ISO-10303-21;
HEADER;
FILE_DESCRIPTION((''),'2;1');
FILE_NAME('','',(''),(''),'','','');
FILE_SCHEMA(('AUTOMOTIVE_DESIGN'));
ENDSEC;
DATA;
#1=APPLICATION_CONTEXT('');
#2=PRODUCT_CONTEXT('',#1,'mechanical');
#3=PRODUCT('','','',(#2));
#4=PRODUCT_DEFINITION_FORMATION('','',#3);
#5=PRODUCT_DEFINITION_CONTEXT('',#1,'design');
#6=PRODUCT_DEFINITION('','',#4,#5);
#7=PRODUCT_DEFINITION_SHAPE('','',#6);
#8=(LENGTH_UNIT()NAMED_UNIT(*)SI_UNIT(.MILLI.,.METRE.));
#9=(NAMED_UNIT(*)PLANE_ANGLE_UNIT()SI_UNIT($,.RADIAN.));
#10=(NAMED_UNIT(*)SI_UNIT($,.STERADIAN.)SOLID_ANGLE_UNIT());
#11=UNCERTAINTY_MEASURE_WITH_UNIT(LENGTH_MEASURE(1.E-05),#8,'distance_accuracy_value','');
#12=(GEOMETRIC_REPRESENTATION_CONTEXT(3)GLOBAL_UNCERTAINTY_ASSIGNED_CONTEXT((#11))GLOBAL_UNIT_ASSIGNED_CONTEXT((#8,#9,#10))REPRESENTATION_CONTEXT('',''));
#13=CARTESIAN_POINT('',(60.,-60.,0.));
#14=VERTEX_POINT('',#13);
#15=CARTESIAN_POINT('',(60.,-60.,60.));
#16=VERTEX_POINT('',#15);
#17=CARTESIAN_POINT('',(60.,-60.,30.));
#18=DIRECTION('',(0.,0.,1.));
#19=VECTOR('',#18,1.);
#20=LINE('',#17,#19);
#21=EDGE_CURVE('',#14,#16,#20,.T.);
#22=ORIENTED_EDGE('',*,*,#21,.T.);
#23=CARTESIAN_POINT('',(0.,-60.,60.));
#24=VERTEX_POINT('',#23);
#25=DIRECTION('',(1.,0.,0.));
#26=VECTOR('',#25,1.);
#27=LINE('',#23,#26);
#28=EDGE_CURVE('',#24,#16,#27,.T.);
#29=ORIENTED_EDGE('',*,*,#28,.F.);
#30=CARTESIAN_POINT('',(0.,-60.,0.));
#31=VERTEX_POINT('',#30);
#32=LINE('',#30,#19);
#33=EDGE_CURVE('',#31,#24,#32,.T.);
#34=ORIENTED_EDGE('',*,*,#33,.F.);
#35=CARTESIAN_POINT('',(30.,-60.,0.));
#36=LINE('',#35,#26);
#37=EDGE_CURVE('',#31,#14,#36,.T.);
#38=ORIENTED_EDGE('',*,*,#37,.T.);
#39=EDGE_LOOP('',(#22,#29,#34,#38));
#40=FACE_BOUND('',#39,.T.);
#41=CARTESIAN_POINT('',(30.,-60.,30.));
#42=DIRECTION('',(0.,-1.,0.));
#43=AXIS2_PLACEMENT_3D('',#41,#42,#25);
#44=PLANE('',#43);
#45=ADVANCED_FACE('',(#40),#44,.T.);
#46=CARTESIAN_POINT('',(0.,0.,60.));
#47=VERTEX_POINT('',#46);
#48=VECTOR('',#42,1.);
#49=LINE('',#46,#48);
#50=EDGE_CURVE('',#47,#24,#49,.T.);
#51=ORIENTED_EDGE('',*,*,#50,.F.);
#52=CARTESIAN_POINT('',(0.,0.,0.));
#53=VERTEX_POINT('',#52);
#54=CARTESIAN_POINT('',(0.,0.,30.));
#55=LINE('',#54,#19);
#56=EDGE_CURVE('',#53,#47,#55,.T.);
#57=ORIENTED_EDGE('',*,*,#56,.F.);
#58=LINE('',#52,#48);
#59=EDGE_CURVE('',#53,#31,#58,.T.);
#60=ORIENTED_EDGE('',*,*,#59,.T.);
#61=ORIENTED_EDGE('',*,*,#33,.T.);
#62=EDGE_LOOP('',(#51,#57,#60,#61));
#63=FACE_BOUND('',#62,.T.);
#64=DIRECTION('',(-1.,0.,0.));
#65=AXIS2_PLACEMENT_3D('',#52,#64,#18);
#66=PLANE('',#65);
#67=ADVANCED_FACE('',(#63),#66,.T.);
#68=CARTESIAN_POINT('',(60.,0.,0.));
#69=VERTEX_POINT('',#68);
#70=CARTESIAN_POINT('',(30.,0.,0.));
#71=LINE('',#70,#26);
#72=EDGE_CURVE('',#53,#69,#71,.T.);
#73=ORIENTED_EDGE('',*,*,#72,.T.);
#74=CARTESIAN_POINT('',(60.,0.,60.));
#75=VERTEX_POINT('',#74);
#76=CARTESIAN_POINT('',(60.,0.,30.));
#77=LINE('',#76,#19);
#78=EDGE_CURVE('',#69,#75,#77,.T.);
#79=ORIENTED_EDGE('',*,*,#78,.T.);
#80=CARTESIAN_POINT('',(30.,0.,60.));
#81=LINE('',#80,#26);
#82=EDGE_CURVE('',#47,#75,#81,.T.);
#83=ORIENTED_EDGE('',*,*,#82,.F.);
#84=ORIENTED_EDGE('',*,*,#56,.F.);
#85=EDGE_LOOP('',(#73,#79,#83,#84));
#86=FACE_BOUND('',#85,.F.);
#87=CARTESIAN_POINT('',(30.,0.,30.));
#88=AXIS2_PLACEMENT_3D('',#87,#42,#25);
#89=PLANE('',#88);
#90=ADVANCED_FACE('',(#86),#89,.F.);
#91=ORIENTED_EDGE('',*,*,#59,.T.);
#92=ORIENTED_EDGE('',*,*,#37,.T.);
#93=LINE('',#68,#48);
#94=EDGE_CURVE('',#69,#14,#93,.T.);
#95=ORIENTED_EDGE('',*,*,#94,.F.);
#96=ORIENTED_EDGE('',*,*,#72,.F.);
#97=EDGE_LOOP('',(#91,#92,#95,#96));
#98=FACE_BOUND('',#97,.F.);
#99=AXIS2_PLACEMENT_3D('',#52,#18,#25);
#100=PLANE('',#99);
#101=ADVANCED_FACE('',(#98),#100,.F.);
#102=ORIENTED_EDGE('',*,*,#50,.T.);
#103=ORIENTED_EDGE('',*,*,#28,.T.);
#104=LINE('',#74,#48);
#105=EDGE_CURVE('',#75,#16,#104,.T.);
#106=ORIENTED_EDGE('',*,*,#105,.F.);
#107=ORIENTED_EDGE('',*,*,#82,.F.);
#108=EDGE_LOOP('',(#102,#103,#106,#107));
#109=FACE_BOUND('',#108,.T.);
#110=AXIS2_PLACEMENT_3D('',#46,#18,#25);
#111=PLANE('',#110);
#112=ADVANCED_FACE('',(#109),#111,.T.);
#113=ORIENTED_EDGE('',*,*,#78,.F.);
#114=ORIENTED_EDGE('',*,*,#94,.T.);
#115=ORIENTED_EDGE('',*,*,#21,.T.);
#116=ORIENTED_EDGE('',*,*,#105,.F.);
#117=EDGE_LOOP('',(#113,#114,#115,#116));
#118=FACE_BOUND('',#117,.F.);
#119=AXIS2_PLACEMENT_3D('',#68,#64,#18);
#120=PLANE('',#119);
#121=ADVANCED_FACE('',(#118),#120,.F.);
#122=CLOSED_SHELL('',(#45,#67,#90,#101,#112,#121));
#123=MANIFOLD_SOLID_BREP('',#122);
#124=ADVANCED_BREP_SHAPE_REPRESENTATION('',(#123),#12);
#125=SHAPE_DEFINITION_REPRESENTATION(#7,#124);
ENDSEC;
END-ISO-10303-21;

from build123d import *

# Parameters (mm, degrees)
F0_W     = 60
F0_H     = 60
F1_DEPTH = 60
F3_DEPTH = 56.42514


with BuildPart() as f1:
    # F0 (on Front) → F1 (new body)
    with BuildSketch(Plane.XZ):
        with Locations((30, 30)):
            Rectangle(F0_W, F0_H)
    extrude(amount=F1_DEPTH)

    # F2 (on face) → F3 (cut)
    with BuildSketch(Plane.XZ.offset(60)):
        Polygon((0, 37.959962), (30.673204, 37.959962), (30, 60), (0, 60), align=None)
    extrude(amount=F3_DEPTH, mode=Mode.SUBTRACT)


solid = f1.part
